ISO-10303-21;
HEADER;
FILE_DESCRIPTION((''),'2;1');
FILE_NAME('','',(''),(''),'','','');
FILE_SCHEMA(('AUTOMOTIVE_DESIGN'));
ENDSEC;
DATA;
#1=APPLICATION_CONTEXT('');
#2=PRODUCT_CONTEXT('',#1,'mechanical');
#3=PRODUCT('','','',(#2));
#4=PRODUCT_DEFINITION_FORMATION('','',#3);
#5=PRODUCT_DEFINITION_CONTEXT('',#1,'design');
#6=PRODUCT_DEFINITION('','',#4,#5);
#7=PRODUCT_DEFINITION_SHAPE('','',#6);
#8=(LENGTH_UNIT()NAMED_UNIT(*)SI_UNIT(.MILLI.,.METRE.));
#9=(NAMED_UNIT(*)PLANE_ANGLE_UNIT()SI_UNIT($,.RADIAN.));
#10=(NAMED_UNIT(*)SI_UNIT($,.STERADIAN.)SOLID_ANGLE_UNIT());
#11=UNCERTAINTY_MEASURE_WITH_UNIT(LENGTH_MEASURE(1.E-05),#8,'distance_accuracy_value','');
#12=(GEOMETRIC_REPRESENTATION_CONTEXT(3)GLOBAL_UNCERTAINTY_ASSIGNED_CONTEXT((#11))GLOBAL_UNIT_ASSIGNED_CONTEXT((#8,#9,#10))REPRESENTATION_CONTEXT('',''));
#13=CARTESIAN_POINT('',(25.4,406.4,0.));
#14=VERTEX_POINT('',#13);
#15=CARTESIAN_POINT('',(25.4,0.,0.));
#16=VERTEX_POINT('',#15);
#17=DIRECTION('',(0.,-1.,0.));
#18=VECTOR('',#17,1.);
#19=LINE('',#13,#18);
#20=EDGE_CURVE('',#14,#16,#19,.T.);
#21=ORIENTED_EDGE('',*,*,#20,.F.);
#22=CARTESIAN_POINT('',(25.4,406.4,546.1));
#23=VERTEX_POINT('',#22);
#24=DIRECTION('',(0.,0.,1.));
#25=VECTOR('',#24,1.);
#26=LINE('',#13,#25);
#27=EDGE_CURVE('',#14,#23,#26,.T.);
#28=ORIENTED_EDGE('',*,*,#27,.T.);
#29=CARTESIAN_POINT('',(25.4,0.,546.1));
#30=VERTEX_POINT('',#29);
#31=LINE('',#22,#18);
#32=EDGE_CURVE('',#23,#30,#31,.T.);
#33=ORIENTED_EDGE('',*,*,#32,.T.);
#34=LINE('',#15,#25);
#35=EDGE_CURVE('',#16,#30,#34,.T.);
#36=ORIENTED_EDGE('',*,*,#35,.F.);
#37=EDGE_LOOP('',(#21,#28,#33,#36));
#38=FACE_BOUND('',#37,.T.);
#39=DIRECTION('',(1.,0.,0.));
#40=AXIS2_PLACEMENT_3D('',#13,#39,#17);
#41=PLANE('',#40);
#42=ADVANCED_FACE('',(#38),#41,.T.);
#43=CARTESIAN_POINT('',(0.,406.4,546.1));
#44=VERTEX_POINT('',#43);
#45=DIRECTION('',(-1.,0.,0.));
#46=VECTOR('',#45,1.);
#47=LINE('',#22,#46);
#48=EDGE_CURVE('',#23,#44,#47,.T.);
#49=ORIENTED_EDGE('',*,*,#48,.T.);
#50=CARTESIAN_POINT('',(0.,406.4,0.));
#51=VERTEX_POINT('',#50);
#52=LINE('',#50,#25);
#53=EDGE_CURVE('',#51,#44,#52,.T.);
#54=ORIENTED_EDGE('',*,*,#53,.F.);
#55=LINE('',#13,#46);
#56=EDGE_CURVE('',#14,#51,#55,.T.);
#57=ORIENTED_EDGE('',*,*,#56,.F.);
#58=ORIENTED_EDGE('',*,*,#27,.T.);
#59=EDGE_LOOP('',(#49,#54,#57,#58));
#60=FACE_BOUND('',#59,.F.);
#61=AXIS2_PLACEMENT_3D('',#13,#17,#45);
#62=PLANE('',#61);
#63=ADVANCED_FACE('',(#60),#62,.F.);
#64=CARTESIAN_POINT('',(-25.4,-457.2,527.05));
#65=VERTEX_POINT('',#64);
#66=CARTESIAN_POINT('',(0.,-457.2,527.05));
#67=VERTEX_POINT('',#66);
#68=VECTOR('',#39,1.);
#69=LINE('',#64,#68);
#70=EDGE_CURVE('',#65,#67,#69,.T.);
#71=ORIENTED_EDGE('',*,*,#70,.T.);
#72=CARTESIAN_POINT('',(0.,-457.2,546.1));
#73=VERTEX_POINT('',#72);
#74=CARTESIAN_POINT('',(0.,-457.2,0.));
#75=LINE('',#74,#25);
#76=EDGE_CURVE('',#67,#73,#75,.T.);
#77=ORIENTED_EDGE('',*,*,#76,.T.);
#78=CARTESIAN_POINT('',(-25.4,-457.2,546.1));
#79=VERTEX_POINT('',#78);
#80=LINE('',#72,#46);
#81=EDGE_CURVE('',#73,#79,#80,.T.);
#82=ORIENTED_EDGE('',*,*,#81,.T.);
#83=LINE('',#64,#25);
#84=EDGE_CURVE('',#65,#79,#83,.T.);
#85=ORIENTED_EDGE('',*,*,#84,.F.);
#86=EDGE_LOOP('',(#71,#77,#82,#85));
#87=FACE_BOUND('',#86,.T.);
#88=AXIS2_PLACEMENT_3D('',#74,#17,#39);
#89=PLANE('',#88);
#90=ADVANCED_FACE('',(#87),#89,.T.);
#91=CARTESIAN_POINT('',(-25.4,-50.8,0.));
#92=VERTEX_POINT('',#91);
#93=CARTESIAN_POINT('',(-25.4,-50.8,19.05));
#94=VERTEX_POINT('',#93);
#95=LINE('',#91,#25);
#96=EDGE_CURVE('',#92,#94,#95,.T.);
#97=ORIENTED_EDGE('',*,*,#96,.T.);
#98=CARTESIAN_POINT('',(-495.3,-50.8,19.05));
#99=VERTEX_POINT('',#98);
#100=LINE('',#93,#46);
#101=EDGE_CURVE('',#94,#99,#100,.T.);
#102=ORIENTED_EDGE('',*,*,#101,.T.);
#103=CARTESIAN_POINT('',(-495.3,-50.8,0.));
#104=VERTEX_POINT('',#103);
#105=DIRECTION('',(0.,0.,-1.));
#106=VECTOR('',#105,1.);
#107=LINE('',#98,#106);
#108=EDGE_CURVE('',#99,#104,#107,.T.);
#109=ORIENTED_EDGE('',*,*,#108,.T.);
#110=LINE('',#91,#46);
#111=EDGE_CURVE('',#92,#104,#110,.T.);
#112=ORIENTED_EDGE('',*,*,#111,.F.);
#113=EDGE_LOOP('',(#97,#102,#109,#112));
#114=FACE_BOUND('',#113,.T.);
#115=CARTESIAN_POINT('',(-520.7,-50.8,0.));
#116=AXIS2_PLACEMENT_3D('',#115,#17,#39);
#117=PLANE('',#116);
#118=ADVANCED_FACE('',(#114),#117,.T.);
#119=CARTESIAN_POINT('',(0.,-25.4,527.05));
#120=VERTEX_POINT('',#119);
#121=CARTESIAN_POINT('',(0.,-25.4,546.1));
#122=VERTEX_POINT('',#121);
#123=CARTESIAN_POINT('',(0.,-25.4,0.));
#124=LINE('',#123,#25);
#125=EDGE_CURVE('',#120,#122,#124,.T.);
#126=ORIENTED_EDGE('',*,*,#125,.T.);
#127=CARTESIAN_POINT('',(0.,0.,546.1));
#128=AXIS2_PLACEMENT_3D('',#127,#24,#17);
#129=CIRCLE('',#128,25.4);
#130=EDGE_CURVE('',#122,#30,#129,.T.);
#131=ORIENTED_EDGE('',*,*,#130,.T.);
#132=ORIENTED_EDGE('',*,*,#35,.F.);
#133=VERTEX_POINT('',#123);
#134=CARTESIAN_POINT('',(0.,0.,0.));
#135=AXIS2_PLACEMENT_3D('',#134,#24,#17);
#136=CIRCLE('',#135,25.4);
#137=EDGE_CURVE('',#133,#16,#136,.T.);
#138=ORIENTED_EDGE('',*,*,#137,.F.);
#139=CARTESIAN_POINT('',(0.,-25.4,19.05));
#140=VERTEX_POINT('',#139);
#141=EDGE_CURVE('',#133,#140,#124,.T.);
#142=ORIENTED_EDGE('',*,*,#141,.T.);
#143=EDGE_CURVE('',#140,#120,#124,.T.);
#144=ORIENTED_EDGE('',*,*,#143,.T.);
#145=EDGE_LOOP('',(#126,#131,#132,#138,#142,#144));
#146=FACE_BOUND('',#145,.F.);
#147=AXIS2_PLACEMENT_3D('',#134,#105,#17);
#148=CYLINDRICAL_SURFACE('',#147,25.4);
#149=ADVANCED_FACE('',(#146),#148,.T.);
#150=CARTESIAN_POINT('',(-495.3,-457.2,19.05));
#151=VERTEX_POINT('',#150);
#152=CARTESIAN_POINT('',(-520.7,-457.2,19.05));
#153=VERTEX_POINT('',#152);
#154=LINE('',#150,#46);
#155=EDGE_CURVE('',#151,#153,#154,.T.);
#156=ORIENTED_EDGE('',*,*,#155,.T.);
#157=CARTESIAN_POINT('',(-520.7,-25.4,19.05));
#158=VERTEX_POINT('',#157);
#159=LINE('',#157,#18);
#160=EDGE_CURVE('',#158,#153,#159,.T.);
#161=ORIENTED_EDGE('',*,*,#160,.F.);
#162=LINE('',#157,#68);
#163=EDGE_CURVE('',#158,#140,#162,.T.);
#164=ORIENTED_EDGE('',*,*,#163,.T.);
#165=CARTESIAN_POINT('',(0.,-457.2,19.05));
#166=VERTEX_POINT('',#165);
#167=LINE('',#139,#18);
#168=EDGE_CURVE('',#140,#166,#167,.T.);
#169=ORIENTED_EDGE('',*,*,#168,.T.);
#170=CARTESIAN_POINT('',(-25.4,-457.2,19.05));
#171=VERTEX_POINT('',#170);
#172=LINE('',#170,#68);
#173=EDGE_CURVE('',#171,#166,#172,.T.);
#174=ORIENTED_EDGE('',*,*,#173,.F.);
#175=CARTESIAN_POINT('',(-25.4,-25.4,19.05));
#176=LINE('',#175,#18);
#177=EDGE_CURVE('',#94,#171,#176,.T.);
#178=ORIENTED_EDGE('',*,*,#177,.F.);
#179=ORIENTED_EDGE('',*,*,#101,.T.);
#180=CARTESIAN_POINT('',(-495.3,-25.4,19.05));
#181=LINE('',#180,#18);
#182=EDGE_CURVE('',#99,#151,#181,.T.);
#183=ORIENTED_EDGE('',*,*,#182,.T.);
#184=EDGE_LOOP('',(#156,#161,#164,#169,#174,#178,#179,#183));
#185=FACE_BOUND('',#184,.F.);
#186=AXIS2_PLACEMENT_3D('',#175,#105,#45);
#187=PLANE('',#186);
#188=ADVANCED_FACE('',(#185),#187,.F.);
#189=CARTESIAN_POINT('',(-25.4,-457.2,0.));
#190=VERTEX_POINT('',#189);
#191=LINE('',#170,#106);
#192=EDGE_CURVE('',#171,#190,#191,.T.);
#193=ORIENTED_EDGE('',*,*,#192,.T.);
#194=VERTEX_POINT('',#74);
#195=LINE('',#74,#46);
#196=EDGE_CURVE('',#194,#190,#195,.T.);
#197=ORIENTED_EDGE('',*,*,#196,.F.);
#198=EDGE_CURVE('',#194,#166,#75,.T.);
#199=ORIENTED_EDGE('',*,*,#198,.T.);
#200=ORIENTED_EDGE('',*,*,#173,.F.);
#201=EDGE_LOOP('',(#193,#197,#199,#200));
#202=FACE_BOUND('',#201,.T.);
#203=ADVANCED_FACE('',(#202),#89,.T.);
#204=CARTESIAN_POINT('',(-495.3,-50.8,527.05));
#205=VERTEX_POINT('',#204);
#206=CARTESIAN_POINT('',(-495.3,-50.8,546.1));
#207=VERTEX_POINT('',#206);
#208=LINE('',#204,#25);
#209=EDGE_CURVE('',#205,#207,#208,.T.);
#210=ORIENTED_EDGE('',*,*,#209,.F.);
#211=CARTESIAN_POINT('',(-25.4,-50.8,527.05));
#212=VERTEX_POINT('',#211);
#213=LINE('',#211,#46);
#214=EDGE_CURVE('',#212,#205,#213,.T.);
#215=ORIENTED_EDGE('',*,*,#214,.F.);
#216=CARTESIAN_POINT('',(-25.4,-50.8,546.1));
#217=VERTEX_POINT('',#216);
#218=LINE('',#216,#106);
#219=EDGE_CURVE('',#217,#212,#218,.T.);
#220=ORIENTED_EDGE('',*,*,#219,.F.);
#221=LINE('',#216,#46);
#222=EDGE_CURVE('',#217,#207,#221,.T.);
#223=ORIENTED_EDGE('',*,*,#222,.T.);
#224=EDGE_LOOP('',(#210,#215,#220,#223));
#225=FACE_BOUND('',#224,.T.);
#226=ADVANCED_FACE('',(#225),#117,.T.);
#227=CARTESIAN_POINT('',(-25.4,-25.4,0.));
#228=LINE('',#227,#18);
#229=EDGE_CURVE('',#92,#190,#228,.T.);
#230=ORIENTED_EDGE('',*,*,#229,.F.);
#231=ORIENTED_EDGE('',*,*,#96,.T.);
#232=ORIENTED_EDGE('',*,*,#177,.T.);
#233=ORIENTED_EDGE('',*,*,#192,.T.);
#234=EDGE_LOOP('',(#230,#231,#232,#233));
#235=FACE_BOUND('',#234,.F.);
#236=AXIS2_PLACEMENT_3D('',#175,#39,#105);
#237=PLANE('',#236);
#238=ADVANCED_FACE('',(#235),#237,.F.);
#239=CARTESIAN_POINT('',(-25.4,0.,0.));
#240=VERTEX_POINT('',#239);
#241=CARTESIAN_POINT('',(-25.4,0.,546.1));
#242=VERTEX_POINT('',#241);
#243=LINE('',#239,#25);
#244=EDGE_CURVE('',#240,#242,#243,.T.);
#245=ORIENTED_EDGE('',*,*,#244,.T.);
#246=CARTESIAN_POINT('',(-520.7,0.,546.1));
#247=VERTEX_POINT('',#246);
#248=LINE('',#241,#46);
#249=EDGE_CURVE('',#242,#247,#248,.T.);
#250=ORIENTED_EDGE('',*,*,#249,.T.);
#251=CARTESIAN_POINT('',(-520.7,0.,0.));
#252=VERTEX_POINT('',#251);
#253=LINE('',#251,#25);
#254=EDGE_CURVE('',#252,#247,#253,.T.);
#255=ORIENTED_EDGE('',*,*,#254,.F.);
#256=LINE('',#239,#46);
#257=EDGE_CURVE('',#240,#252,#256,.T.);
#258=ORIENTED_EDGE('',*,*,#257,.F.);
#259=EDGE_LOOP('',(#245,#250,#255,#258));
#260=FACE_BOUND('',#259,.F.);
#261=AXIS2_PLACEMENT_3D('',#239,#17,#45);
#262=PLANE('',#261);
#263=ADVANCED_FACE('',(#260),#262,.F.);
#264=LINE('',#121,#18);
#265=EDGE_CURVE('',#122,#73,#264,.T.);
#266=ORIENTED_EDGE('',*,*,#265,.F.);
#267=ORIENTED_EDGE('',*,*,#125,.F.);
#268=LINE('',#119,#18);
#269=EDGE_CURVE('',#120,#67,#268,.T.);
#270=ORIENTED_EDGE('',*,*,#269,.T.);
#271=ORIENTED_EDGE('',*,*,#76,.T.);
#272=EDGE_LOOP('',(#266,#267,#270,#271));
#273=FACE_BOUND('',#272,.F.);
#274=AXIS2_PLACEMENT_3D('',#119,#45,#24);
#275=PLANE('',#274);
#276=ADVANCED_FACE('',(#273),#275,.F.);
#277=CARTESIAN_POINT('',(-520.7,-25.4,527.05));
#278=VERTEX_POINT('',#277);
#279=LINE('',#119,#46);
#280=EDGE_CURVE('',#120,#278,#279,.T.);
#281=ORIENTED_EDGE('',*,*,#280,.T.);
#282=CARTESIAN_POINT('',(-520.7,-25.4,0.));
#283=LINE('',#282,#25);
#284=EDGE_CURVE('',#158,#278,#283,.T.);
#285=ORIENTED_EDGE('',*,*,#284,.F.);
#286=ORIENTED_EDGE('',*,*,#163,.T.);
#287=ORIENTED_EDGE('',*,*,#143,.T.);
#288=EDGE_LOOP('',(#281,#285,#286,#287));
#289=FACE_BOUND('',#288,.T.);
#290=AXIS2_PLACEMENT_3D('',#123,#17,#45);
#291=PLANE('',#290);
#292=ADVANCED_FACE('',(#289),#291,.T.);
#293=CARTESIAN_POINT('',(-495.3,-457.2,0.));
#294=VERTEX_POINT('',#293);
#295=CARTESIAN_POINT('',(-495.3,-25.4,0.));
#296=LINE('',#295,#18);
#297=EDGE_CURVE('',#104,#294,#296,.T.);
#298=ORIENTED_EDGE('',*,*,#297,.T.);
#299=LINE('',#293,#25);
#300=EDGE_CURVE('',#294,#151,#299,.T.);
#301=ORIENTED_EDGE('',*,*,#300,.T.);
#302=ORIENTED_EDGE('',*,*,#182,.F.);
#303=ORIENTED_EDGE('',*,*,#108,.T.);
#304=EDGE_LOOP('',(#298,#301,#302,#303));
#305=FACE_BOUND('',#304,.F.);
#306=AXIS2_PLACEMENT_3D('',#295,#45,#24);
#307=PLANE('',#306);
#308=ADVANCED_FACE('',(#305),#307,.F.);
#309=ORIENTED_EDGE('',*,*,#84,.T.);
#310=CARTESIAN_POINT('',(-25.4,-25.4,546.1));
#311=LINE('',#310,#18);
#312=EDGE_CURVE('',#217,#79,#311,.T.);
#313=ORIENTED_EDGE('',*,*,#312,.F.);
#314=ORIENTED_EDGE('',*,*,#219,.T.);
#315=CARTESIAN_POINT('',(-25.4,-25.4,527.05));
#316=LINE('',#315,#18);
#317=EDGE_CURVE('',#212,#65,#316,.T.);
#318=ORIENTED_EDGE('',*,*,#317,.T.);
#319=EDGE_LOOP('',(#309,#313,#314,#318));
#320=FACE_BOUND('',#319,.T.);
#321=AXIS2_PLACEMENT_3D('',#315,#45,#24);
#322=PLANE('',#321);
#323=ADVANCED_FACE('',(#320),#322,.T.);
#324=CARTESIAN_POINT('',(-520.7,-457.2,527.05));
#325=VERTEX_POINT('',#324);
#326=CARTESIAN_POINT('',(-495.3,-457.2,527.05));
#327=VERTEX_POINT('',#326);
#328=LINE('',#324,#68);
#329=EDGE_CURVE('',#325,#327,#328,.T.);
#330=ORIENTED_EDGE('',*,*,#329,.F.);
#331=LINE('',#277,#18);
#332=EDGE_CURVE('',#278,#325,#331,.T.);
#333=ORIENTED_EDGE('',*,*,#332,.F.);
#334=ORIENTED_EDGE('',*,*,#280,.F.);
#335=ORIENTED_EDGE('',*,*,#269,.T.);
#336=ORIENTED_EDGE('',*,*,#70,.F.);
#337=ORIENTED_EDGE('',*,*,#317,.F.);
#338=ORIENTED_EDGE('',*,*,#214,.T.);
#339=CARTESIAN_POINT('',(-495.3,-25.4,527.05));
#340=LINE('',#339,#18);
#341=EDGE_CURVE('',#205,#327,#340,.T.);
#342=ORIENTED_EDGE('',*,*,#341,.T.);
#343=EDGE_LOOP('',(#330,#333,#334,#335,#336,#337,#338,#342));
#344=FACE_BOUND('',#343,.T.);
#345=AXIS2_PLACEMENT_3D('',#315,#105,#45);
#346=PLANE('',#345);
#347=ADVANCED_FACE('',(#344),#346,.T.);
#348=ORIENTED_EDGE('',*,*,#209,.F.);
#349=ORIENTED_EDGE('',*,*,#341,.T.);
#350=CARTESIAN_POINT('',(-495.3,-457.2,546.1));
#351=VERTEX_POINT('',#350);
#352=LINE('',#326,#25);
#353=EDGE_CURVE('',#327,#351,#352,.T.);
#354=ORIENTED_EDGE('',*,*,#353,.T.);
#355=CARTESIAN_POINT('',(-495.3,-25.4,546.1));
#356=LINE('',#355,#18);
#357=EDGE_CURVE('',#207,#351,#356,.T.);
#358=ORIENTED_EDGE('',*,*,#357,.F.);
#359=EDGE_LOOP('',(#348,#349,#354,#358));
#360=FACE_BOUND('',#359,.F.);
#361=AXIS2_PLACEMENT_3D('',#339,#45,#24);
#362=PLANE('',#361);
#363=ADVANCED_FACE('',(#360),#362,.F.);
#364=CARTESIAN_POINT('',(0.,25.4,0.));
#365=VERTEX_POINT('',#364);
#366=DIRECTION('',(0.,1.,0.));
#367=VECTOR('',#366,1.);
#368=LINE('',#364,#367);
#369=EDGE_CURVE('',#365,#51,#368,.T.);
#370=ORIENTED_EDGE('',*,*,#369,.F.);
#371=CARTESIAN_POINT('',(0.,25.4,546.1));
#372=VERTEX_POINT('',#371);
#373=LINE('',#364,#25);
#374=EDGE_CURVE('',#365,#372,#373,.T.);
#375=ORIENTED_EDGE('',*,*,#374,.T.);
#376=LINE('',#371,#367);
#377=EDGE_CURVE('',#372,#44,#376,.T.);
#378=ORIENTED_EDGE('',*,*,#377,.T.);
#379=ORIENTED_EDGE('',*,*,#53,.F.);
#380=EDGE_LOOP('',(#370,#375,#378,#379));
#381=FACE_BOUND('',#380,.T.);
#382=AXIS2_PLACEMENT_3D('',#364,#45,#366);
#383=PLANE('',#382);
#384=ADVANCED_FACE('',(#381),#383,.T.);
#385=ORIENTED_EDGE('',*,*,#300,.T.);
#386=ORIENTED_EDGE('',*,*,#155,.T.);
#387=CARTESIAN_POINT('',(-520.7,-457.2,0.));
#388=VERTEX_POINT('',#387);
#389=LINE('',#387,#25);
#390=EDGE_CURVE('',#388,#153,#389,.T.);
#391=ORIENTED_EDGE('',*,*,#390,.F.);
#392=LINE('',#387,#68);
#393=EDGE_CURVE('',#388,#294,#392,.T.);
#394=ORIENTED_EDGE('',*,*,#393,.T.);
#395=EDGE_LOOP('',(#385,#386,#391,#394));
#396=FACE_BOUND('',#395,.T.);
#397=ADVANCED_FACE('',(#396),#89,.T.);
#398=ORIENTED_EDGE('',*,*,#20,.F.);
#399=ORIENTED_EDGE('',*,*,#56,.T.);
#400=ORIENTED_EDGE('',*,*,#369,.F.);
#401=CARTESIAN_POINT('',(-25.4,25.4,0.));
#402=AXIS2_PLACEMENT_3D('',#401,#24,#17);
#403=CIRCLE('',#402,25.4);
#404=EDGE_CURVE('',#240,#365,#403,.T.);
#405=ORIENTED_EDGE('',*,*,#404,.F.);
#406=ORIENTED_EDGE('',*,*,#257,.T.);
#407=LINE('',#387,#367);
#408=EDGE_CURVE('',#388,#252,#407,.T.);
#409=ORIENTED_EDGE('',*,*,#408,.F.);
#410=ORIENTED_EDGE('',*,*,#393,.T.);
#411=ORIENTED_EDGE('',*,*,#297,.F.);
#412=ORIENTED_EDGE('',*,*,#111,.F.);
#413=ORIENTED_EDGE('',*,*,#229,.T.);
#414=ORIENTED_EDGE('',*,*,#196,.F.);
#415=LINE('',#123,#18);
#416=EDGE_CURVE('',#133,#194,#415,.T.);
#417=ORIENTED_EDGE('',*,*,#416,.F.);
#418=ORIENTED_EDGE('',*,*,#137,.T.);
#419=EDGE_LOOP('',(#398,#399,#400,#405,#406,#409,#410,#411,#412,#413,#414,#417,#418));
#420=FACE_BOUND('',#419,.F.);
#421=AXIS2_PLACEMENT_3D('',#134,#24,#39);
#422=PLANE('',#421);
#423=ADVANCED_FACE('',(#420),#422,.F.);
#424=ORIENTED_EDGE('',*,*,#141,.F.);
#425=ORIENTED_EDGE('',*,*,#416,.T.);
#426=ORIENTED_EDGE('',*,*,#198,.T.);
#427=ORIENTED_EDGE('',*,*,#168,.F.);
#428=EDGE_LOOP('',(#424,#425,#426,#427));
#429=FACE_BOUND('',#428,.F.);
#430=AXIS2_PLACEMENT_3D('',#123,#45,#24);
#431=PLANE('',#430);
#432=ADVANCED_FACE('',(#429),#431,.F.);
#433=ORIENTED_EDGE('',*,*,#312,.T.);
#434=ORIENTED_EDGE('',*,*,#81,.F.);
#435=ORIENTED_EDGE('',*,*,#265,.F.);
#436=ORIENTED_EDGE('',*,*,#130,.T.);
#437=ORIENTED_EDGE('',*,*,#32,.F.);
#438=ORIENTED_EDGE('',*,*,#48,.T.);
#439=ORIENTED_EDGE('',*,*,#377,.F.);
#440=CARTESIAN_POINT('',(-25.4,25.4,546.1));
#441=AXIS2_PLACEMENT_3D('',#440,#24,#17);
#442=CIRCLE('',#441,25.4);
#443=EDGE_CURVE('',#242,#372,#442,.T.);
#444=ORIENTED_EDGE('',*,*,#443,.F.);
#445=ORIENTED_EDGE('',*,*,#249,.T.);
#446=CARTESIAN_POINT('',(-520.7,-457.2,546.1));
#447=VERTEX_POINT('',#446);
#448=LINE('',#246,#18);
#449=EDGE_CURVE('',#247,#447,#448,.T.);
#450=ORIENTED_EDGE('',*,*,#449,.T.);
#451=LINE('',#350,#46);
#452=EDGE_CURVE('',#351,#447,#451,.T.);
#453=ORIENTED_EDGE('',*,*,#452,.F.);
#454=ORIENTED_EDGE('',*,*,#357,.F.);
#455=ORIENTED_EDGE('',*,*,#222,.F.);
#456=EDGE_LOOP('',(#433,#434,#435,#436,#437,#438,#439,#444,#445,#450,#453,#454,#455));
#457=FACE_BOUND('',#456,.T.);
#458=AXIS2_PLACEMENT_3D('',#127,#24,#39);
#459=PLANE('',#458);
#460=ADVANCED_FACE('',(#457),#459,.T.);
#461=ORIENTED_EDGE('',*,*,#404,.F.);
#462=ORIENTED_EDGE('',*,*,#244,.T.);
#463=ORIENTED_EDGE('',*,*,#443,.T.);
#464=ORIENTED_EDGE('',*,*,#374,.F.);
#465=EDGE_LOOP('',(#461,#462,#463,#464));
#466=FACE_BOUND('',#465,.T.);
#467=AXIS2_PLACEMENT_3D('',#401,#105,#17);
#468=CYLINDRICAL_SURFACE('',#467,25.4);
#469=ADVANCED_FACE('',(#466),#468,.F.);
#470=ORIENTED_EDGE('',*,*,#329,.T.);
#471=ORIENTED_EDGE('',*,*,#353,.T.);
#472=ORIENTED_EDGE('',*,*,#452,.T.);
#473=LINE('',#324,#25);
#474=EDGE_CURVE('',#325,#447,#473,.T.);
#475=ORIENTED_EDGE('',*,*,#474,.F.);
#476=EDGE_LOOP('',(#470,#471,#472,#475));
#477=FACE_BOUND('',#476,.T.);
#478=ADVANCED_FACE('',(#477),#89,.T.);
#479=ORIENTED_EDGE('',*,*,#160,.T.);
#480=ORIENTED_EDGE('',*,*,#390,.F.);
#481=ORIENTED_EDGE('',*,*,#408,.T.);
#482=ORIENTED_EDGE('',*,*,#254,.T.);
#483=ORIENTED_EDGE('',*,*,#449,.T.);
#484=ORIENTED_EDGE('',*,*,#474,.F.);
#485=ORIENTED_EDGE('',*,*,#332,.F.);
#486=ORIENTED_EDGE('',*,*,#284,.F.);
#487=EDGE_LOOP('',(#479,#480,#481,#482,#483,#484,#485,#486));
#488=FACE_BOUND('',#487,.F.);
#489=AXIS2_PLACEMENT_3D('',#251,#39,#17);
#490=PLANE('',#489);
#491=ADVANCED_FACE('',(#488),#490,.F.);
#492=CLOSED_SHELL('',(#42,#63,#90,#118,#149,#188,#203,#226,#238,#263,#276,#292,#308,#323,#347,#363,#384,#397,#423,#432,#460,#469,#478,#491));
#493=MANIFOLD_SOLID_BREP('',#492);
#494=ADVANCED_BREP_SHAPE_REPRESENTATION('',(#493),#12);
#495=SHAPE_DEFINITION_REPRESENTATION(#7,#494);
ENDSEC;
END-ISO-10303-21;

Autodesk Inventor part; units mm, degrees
ref_plane "YZ Plane" through (0, 0, 0) normal (1, 0, 0) x (0, 1, 0)
ref_plane "XZ Plane" through (0, 0, 0) normal (0, 1, 0) x (-1, 0, 0)
ref_plane "XY Plane" through (0, 0, 0) normal (0, 0, 1) x (1, 0, 0)
sketch "Sketch1" plane through (0, 0, 0) normal (0, 0, 1) x (1, 0, 0)
  line L0 (-25.4, 0) -> (-520.7, 0)
  line L1 (0, 25.4) -> (0, 406.4)
  line L2 (25.4, 406.4) -> (25.4, 0)
  line L3 (0, -25.4) -> (-520.7, -25.4)
  line L4 (-520.7, 0) -> (-520.7, -25.4)
  line L5 (25.4, 406.4) -> (0, 406.4)
  arc A0 (22.225, -25.4) -> (25.4, -22.225) centre (22.225, -22.225) ccw
  arc A1 (-25.4, 0) -> (0, 25.4) centre (-25.4, 25.4) ccw
  arc A2 (0, -25.4) -> (25.4, 0) centre (0, 0) ccw
  point P0 (0, 0)
  dimension "d0" = 520.7
  dimension "d1" = 406.4
  dimension "d2" = 25.4
  dimension "d3" = 3.175
  dimension "d6" = 25.4
extrude "Extrusion1" add sketch "Sketch1" along normal blind 546.1
sketch "Sketch2" plane through (-520.7, -25.4, 0) normal (0, -1, 0) x (1, 0, 0)
  line L0 (520.7, 0) -> (520.7, 546.1) construction
  line L1 (520.7, 273.05) -> (0, 273.05) construction
  line L2 (0, 0) -> (0, 546.1) construction
  line L3 (495.3, 546.1) -> (0, 546.1) construction
  line L4 (260.35, 546.1) -> (260.35, 0) construction
  line L5 (0, 0) -> (520.7, 0) construction
  line L6 (495.3, 546.1) -> (495.3, 527.05)
  line L7 (495.3, 0) -> (495.3, 546.1) projected
  line L8 (495.3, 527.05) -> (25.4, 527.05)
  line L9 (25.4, 527.05) -> (25.4, 546.1)
  line L10 (495.3, 546.1) -> (25.4, 546.1)
  line L11 (495.3, 0) -> (0, 0) construction
  line L12 (495.3, 0) -> (495.3, 19.05)
  line L13 (495.3, 19.05) -> (25.4, 19.05)
  line L14 (25.4, 19.05) -> (25.4, 0)
  line L15 (495.3, 0) -> (25.4, 0)
  point P0 (25.4, 536.575)
  point P1 (25.4, 9.525)
  dimension "d7" = 19.05
  dimension "d8" = 25.4
extrude "Extrusion2" add sketch "Sketch2" along normal blind 25.4
sketch "Sketch4" plane through (0, -25.4, 0) normal (0, -1, 0) x (1, 0, 0)
  line L0 (-25.4, 527.05) -> (-25.4, 546.1) projected
  line L1 (-25.4, 527.05) -> (0, 527.05)
  line L2 (0, 0) -> (0, 546.1) projected
  line L3 (-25.4, 546.1) -> (-495.3, 546.1) projected
  line L4 (0, 546.1) -> (-25.4, 546.1)
  line L5 (-25.4, 546.1) -> (-25.4, 527.05)
  line L6 (25.4, 0) -> (25.4, 546.1) construction
  line L7 (25.4, 273.05) -> (-520.7, 273.05) construction
  line L8 (-520.7, 0) -> (-520.7, 546.1) construction
  line L9 (-495.3, 0) -> (-25.4, 0) construction
  line L10 (-247.65, 0) -> (-247.65, 546.1) construction
  line L11 (-25.4, 19.05) -> (-25.4, 0)
  line L12 (-25.4, 19.05) -> (0, 19.05)
  line L13 (0, 0) -> (-25.4, 0)
  line L14 (-25.4, 0) -> (-25.4, 19.05)
  line L15 (-495.3, 546.1) -> (-520.7, 546.1)
  line L16 (-520.7, 527.05) -> (-495.3, 527.05)
  line L17 (-495.3, 527.05) -> (-495.3, 546.1)
  line L18 (-495.3, 0) -> (-495.3, 19.05) projected
  line L19 (-495.3, 19.05) -> (-520.7, 19.05)
  line L20 (-520.7, 0) -> (-495.3, 0) projected
  line L21 (-520.7, 0) -> (-495.3, 0)
  line L22 (-495.3, 0) -> (-495.3, 19.05)
  line L23 (-25.4, 546.1) -> (-25.4, 527.05)
  line L24 (0, 546.1) -> (0, 527.05)
  line L25 (-495.3, 546.1) -> (-495.3, 527.05)
  line L26 (-520.7, 527.05) -> (-520.7, 546.1)
  line L27 (-495.3, 19.05) -> (-495.3, 0)
  line L28 (-520.7, 0) -> (-520.7, 19.05)
extrude "Extrusion3" add sketch "Sketch4" along normal blind 431.8
properties part number "chair"
